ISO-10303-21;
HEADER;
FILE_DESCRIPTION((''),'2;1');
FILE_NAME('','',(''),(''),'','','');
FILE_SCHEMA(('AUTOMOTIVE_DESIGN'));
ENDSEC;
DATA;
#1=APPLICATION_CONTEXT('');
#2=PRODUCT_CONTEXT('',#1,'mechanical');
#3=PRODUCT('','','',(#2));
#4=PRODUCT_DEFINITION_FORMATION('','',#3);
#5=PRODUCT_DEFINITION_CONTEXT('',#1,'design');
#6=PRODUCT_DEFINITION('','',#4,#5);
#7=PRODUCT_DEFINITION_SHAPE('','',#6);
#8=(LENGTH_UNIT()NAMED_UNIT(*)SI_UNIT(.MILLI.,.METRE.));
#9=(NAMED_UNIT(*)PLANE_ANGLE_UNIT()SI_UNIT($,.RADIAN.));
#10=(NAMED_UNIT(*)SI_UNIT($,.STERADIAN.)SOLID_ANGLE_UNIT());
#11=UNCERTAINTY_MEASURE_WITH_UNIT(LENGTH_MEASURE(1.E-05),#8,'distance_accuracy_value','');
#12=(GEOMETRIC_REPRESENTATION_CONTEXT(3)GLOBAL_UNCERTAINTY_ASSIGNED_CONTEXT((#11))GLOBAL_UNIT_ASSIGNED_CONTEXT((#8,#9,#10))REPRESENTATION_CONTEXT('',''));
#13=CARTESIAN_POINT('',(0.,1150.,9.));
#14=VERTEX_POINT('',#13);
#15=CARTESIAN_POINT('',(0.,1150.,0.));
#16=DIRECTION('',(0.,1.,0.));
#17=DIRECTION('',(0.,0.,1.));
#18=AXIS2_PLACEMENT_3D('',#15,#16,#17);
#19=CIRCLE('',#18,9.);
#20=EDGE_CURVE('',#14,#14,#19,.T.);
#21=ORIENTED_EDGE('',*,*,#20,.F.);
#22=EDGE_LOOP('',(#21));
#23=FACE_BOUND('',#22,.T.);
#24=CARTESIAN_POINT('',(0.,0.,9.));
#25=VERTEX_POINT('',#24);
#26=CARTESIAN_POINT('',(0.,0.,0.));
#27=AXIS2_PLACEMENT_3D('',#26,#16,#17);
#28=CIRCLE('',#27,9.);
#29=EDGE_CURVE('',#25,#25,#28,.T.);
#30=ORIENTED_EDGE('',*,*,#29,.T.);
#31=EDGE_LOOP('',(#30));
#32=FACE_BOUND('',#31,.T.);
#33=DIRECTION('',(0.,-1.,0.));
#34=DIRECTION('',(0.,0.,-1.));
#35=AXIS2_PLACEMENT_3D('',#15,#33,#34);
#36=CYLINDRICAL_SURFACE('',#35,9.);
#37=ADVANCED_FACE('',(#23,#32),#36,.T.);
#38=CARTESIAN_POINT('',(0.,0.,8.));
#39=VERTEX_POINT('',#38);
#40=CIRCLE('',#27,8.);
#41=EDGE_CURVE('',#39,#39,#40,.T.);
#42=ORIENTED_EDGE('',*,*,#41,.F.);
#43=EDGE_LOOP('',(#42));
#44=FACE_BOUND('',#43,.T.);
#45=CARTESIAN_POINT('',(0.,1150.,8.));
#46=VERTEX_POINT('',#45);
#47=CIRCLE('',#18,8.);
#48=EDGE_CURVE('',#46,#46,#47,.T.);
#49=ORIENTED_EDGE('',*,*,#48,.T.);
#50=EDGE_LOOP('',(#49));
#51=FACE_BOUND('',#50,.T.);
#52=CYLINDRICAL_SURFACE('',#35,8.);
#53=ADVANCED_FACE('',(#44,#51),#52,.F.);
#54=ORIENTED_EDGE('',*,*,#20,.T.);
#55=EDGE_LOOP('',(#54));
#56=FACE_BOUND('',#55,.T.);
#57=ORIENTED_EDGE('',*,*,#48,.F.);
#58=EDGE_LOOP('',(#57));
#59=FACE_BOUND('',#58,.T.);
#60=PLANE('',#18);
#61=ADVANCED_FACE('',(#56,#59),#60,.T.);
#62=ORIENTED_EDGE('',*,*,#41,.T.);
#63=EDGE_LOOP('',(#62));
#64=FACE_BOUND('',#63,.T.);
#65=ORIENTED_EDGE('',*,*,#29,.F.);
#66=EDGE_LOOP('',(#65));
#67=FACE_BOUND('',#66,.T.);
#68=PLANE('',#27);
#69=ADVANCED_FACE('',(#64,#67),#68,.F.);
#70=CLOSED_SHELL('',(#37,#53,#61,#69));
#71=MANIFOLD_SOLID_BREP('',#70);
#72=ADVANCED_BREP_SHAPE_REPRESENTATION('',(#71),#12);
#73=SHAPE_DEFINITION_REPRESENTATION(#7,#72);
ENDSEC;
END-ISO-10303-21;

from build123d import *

# Parameters (mm, degrees)
SCHIZZO1_R                   = 9
SCHIZZO1_R_2                 = 8
ESTRUSIONE_ESTRUSIONE1_DEPTH = 1150


with BuildPart() as part:
    # Schizzo1 → Estrusione-Estrusione1 (new body)
    with BuildSketch(Plane(origin=(0, 0, 0), x_dir=(1, 0, 0), z_dir=(0, 1, 0))):
        with Locations(Location((0, 0, 0), (0, 0, 270))):
            Circle(SCHIZZO1_R)
        with Locations(Location((0, 0, 0), (0, 0, 270))):
            Circle(SCHIZZO1_R_2, mode=Mode.SUBTRACT)
    extrude(amount=ESTRUSIONE_ESTRUSIONE1_DEPTH)


solid = part.part
